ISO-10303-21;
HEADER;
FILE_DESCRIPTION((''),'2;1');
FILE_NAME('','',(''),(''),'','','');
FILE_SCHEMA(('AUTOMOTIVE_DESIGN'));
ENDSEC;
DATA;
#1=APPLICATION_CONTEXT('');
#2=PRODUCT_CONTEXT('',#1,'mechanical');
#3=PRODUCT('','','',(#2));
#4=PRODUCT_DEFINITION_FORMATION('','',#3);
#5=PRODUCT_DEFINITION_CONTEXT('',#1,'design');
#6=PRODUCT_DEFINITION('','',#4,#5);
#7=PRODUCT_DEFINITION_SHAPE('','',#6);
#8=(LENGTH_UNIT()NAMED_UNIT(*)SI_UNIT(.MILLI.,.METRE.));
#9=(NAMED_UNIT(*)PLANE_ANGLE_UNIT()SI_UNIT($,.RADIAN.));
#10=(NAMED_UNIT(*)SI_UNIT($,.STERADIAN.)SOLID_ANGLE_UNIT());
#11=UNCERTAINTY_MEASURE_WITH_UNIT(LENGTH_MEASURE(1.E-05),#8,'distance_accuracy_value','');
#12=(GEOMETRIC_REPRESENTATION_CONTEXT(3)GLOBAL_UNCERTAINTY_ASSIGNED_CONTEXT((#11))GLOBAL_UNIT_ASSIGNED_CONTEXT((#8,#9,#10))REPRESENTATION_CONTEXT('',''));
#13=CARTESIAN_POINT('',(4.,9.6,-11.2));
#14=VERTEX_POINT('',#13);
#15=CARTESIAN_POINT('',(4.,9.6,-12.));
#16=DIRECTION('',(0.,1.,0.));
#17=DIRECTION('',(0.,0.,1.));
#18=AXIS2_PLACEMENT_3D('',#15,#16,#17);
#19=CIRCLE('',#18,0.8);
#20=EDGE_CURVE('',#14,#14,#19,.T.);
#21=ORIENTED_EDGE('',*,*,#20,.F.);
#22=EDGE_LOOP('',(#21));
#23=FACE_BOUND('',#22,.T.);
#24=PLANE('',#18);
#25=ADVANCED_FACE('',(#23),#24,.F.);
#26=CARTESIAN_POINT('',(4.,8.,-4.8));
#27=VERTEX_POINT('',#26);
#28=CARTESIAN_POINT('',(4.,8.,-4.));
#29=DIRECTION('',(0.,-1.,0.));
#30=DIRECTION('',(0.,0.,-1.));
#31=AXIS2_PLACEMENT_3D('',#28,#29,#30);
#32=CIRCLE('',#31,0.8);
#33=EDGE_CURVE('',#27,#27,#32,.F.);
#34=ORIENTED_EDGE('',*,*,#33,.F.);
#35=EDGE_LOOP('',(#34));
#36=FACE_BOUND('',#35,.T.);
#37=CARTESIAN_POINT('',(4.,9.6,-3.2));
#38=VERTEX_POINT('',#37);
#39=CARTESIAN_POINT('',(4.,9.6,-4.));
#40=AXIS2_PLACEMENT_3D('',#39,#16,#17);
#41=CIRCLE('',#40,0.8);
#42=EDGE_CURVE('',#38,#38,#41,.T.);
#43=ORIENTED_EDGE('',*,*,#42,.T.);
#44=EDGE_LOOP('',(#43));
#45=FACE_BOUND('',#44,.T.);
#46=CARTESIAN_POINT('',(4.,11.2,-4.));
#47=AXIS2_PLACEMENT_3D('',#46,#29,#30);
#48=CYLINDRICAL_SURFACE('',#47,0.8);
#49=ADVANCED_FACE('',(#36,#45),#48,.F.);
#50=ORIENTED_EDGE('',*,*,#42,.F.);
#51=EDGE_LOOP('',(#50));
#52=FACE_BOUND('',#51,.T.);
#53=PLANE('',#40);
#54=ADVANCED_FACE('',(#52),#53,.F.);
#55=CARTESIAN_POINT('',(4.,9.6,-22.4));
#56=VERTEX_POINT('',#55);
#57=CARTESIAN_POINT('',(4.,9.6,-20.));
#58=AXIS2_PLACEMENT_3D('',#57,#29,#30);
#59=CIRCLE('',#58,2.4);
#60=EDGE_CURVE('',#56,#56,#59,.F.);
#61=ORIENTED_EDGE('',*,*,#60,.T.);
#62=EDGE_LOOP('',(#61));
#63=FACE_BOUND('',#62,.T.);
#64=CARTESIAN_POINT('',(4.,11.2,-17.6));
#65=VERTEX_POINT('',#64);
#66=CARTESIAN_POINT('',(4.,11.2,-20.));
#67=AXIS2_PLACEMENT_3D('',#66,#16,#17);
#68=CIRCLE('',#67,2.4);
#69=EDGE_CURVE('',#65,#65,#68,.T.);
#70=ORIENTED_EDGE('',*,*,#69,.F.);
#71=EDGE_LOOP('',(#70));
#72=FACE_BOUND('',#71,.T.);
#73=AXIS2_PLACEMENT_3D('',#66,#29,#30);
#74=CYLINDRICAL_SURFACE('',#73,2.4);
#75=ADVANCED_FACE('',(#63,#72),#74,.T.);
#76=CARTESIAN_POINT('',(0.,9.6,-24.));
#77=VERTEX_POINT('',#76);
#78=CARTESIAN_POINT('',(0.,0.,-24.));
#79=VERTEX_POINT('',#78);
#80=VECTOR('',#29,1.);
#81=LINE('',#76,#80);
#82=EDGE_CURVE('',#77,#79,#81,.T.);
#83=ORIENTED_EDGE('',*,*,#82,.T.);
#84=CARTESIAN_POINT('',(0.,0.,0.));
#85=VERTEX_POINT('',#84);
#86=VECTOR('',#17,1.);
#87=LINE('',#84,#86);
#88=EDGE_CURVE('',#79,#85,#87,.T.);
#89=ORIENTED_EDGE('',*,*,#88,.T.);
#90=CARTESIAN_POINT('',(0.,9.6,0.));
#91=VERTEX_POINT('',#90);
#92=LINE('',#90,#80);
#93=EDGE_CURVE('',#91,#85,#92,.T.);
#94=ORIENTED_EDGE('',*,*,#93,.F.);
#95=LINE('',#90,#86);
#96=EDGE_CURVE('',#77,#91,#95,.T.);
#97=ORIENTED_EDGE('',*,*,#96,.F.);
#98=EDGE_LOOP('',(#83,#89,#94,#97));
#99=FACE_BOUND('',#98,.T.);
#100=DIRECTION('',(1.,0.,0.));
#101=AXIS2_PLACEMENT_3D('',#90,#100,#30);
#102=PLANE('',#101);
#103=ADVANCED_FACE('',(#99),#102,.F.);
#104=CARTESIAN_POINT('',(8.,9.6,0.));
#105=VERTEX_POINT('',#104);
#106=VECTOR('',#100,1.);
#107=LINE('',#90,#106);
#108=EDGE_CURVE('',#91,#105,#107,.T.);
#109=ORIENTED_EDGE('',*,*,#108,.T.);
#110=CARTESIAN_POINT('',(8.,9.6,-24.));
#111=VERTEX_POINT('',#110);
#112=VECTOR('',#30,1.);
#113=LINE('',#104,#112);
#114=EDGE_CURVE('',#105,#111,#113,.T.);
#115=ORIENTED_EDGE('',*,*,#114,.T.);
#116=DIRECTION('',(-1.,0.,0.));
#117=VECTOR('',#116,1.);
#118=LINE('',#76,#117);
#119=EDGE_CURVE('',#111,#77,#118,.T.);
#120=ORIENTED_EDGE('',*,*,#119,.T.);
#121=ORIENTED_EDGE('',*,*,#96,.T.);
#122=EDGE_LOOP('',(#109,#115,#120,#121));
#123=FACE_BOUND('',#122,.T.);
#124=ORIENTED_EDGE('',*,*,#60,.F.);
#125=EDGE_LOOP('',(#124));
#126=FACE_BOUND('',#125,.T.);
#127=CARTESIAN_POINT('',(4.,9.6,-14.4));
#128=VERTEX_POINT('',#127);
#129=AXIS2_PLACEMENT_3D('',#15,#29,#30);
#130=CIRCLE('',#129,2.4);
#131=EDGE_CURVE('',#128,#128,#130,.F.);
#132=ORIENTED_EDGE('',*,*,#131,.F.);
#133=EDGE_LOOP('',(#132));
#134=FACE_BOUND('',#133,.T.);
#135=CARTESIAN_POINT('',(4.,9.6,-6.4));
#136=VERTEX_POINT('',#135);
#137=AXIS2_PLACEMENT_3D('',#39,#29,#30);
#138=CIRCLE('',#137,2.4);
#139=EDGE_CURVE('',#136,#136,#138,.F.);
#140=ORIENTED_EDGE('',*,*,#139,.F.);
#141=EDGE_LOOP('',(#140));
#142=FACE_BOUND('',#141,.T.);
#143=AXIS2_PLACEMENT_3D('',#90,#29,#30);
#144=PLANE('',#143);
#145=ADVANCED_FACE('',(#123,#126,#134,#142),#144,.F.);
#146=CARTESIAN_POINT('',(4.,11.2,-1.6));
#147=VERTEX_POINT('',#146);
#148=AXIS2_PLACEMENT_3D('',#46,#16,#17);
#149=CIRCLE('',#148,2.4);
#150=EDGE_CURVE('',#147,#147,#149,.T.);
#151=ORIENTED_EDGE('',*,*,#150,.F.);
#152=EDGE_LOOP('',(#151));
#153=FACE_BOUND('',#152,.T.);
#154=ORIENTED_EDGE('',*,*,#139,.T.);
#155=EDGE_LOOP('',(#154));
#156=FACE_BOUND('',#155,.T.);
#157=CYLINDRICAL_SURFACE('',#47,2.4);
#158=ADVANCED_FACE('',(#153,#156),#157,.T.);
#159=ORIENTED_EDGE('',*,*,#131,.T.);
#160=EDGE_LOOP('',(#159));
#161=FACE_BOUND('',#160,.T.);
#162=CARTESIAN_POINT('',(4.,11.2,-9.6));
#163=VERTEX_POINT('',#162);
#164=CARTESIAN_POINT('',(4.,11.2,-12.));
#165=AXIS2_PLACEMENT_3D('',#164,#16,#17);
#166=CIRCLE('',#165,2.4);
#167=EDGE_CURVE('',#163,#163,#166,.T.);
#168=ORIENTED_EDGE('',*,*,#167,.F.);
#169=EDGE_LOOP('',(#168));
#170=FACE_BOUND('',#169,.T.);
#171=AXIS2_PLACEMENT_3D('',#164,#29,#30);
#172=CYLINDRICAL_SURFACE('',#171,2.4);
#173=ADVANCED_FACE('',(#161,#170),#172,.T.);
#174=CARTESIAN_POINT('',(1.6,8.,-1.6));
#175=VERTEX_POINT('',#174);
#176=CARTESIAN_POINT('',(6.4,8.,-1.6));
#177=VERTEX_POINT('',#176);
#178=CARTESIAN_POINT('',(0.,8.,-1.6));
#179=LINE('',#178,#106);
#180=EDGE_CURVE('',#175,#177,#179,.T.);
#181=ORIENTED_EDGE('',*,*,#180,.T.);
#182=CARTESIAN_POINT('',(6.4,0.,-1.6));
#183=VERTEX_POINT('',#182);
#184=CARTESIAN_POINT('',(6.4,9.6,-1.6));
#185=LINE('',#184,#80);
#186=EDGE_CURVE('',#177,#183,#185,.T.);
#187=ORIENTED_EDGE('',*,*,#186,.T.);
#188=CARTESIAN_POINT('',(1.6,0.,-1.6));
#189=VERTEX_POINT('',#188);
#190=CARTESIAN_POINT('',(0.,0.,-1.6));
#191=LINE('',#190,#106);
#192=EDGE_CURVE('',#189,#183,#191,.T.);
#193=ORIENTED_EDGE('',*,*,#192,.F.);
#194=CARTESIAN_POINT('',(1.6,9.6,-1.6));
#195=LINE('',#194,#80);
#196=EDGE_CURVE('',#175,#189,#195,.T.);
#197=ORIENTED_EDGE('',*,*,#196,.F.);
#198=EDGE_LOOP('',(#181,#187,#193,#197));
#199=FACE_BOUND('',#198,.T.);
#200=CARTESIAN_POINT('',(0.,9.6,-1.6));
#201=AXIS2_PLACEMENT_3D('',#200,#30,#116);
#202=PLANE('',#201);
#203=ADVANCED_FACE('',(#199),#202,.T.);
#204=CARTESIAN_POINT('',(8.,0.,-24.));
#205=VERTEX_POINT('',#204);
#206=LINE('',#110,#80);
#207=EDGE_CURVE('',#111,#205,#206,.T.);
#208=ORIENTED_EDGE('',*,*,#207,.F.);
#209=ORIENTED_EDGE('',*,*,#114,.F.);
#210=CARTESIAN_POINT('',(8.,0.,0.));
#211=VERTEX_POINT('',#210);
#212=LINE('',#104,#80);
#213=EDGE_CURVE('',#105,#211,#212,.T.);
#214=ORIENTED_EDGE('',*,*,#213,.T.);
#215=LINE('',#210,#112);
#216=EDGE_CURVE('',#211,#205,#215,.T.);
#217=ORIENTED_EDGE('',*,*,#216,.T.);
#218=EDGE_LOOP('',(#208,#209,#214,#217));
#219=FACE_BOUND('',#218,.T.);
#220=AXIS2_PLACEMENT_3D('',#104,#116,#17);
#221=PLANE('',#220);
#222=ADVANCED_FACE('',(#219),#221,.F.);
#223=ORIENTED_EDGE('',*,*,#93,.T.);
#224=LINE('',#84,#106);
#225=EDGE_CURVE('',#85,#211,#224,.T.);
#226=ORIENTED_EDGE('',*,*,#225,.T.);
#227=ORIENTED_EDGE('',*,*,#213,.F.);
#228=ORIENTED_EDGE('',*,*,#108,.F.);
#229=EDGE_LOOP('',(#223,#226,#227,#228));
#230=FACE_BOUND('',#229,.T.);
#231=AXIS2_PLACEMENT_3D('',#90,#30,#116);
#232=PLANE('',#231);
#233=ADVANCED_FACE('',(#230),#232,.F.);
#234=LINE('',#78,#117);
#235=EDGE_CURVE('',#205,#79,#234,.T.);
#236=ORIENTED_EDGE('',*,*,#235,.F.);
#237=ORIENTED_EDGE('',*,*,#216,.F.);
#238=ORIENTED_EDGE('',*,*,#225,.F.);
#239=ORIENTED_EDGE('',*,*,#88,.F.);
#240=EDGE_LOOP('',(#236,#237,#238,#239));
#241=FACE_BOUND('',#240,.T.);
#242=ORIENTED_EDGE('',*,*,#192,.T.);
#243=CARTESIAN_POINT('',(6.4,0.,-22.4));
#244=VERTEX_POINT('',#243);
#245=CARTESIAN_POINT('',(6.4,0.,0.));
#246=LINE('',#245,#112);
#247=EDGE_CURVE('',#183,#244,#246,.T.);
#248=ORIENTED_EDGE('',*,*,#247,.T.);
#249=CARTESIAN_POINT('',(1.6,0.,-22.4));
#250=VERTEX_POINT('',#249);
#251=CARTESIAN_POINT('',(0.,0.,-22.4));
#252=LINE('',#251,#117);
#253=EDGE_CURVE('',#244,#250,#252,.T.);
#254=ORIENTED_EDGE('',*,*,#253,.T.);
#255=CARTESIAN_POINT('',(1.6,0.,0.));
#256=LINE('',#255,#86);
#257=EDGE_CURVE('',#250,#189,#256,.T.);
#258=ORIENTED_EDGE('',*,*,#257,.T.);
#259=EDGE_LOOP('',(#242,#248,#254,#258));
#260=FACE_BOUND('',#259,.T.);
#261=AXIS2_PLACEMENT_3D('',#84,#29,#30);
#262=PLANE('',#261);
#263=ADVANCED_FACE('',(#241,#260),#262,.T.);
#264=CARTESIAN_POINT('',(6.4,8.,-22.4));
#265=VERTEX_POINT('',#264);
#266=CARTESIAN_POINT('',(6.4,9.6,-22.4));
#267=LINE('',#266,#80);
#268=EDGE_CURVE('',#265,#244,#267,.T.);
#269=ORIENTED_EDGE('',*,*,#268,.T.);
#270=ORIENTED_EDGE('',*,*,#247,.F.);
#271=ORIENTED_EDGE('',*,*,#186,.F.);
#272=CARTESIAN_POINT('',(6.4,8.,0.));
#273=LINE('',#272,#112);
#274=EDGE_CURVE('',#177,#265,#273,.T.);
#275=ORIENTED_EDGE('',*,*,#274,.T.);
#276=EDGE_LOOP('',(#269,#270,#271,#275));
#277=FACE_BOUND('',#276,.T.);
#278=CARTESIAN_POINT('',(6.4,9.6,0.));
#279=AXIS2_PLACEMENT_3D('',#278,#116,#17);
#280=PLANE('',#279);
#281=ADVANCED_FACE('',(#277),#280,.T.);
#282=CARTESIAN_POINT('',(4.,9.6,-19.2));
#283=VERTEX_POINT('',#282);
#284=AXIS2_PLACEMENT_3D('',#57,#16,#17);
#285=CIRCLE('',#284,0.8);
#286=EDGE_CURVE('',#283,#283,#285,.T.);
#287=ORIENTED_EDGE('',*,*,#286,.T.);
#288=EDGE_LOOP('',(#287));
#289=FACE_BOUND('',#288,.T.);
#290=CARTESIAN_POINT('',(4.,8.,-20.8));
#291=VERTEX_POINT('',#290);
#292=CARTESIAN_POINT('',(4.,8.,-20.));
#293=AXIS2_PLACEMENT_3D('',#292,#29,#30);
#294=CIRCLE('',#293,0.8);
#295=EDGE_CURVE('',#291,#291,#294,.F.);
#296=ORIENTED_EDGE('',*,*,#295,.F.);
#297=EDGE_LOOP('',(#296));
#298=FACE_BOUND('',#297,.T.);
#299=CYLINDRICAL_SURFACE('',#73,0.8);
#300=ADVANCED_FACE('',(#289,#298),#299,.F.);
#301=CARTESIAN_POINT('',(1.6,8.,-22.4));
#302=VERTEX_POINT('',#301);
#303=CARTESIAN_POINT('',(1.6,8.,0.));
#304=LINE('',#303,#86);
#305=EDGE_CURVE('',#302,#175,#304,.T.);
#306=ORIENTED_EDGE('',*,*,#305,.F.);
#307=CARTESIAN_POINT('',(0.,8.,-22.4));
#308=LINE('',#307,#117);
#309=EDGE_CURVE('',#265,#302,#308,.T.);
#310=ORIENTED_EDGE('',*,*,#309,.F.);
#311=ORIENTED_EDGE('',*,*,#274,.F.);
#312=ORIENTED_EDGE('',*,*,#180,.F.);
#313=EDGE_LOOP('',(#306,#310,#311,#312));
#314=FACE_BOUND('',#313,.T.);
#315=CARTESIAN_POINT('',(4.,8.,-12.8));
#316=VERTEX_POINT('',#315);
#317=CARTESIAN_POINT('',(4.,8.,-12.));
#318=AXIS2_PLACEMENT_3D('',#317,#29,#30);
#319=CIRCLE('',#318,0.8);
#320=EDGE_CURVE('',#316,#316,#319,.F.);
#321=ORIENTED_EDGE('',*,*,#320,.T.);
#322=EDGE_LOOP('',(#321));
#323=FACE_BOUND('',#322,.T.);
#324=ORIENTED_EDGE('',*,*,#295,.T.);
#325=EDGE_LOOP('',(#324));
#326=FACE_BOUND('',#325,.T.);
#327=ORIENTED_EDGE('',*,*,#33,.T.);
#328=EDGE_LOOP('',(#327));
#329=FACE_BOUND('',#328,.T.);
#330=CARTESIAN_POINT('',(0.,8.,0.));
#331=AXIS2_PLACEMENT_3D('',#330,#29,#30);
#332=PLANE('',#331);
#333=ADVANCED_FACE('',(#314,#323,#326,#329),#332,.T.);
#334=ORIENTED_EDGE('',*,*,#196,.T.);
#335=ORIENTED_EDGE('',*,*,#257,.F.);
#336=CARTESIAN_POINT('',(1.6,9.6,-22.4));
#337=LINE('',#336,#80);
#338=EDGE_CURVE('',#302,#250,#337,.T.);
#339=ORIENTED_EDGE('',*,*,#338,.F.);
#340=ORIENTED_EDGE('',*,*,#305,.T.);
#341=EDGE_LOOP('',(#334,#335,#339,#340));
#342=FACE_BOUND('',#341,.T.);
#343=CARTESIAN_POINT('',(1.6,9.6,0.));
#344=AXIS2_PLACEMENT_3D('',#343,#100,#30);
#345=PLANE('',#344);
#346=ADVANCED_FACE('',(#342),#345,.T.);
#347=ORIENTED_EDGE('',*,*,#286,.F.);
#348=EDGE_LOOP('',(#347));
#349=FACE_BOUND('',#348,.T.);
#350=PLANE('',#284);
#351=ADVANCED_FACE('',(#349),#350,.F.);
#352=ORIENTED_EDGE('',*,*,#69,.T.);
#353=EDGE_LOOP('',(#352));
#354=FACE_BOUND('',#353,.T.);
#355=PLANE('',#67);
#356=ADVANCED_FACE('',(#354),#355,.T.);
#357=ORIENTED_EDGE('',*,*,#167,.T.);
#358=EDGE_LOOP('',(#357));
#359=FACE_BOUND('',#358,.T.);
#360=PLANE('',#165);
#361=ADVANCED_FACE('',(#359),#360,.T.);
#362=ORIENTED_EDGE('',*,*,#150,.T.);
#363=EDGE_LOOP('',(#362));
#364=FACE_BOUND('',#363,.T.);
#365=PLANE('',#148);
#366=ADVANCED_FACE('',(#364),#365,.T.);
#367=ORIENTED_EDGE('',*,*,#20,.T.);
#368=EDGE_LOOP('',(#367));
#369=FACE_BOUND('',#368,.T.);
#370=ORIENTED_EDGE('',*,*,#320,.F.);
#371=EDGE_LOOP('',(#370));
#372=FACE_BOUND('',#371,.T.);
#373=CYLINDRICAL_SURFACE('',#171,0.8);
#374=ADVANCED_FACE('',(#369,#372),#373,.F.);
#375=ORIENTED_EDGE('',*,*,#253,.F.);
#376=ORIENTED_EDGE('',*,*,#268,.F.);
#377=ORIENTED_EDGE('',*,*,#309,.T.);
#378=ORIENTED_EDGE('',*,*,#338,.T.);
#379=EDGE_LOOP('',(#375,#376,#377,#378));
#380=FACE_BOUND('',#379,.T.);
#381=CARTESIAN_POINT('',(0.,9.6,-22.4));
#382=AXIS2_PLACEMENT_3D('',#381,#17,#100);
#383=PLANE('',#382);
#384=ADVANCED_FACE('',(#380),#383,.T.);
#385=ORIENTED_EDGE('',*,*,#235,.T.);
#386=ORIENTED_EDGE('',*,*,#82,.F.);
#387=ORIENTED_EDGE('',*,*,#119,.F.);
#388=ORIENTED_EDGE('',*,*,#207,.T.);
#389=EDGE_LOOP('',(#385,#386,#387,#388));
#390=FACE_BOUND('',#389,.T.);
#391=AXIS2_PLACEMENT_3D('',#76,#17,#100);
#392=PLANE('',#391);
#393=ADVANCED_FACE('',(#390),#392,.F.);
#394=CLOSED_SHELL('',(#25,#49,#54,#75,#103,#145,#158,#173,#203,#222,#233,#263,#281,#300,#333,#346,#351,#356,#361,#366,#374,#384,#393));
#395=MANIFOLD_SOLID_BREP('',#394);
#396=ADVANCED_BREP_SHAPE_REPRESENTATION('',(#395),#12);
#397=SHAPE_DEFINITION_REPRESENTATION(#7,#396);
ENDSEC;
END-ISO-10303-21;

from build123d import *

# Parameters (mm, degrees)
SKETCH1_W            = 8
SKETCH1_H            = 24
BOSS_EXTRUDE1_DEPTH  = 9.6
SKETCH2_R            = 2.4
BOSS_EXTRUDE2_DEPTH  = 1.6
LPATTERN1_COUNT      = 2
LPATTERN1_PITCH      = 8
LPATTERN1_COUNT_DIR2 = 4
LPATTERN1_PITCH_DIR2 = 8
SHELL1_T             = -1.6


with BuildPart() as part:
    # Sketch1 → Boss-Extrude1 (new body)
    with BuildSketch(Plane(origin=(0, 0, 0), x_dir=(1, 0, 0), z_dir=(0, 1, 0))):
        with Locations((4, 12)):
            Rectangle(SKETCH1_W, SKETCH1_H)
    extrude(amount=BOSS_EXTRUDE1_DEPTH)

    # Sketch2 → Boss-Extrude2 (add)
    with BuildSketch(Plane(origin=(0, 9.6, 0), x_dir=(1, 0, 0), z_dir=(0, 1, 0))):
        with Locations(Location((4, 4, 0), (0, 0, 90))):
            Circle(SKETCH2_R)
    boss_extrude2 = extrude(amount=BOSS_EXTRUDE2_DEPTH)

    # LPattern1: Boss-Extrude2 2 × 4, 5 skipped
    with Locations(*[(i * LPATTERN1_PITCH, 0, -j * LPATTERN1_PITCH_DIR2) for i in range(LPATTERN1_COUNT) for j in range(LPATTERN1_COUNT_DIR2) if (i, j) not in ((0, 0), (0, 3), (1, 0), (1, 1), (1, 2), (1, 3))]):
        add(boss_extrude2)

    # Shell1
    shell1_openings = [part.faces().sort_by_distance(p)[0] for p in [
        (4, 0, -12),
    ]]
    offset(amount=SHELL1_T, openings=shell1_openings, kind=Kind.INTERSECTION)


solid = part.part
